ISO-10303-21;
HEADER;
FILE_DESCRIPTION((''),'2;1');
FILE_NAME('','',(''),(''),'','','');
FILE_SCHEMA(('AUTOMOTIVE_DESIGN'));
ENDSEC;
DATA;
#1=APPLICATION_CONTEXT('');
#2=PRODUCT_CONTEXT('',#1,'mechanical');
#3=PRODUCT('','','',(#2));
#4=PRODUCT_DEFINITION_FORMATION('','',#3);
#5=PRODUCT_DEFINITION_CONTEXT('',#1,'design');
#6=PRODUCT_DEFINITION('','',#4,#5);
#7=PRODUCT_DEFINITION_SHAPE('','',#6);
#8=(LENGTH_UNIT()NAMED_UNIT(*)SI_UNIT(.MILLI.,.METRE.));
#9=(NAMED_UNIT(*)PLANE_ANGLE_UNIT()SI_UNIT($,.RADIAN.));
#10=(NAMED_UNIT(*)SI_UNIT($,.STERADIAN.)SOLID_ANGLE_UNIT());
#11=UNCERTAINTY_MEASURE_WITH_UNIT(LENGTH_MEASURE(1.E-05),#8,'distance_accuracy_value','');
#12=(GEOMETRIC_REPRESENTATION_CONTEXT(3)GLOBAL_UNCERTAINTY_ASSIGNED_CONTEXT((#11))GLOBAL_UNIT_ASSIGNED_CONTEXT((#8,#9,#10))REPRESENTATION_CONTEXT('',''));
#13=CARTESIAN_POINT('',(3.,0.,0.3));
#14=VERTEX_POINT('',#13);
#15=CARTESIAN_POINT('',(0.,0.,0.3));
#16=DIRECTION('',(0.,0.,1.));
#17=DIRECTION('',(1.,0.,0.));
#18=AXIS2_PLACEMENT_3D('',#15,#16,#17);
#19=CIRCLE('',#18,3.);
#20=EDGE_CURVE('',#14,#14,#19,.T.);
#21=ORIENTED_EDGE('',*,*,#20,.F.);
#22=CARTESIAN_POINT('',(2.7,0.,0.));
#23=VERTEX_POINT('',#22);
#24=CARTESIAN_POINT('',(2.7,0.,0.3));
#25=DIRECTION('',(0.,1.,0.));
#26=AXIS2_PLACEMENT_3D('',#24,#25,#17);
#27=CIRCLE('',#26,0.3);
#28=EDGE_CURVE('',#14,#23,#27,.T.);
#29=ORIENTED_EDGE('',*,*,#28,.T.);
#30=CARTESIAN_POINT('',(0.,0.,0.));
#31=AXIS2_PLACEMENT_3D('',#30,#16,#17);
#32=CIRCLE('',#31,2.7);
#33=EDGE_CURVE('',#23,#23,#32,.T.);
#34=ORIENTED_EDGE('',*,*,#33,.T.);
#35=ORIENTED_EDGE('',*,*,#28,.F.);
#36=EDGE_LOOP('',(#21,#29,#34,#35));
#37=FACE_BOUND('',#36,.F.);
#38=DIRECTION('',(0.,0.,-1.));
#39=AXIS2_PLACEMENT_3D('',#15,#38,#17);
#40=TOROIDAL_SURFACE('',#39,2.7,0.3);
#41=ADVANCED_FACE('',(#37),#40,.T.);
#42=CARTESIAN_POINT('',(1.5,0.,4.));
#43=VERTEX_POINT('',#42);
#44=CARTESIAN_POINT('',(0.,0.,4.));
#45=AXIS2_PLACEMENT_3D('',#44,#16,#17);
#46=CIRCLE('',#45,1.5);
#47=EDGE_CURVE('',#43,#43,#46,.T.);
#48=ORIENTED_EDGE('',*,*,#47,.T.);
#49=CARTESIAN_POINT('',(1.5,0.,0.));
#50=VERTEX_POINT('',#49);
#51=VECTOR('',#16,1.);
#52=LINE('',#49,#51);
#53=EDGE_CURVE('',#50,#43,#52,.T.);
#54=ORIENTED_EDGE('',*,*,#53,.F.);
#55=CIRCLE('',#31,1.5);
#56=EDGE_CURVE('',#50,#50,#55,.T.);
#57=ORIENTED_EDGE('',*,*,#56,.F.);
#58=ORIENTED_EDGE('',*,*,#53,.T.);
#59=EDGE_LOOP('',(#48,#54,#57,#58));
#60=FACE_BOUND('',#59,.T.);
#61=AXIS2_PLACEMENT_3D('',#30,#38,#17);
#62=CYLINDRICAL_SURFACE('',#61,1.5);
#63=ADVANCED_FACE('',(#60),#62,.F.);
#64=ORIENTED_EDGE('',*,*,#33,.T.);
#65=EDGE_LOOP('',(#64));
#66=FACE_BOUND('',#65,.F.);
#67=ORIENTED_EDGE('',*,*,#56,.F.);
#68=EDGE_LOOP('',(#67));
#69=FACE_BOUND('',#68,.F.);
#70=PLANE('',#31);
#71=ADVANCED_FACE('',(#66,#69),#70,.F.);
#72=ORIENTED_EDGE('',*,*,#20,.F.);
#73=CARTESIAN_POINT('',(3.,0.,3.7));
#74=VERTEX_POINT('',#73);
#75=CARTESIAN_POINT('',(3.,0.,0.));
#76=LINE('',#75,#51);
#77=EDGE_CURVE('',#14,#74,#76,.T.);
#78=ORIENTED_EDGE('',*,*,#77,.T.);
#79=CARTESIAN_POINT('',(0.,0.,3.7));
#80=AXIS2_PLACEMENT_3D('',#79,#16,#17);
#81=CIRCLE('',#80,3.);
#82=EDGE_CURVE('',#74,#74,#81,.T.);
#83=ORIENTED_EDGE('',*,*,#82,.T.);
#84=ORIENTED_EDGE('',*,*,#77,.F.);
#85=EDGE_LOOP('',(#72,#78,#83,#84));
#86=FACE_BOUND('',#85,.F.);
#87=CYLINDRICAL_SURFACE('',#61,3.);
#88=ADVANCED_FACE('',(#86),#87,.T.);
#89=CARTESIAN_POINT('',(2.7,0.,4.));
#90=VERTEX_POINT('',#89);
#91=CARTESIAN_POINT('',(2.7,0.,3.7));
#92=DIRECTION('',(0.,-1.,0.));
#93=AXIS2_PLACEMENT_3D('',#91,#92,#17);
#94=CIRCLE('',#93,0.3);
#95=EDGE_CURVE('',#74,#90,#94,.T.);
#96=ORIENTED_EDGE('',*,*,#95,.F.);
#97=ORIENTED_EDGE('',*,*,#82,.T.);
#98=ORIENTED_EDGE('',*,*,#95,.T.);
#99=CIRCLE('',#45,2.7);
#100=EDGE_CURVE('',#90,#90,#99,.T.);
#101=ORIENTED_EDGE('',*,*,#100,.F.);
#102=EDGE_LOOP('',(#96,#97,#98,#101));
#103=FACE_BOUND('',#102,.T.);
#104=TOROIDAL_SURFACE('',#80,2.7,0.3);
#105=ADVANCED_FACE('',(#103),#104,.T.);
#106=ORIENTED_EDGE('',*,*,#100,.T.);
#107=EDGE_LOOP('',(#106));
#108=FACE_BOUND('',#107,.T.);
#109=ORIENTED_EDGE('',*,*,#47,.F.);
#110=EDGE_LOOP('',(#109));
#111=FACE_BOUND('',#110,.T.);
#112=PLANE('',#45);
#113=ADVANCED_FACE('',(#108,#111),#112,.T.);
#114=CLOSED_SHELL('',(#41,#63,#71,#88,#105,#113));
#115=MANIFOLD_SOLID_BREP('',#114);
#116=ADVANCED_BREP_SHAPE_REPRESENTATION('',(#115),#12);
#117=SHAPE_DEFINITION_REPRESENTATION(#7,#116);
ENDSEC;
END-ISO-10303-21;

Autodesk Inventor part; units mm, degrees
ref_plane "YZ Plane" through (0, 0, 0) normal (1, 0, 0) x (0, 1, 0)
ref_plane "XZ Plane" through (0, 0, 0) normal (0, 1, 0) x (-1, 0, 0)
ref_plane "XY Plane" through (0, 0, 0) normal (0, 0, 1) x (1, 0, 0)
sketch "スケッチ1" plane through (0, 0, 0) normal (0, 0, 1) x (1, 0, 0)
  circle A0 centre (0, 0) radius 1.5
  circle A1 centre (0, 0) radius 3
  dimension "d0" = 3
  dimension "d1" = 6
extrude "押し出し1" add sketch "スケッチ1" along normal blind 4
fillet "フィレット1" radius 0.3 2 edges at (-3, 0, 4) (-3, 0, 0)
properties part number "スペーサーM3L4樹脂" material "アセタール樹脂、黒"
